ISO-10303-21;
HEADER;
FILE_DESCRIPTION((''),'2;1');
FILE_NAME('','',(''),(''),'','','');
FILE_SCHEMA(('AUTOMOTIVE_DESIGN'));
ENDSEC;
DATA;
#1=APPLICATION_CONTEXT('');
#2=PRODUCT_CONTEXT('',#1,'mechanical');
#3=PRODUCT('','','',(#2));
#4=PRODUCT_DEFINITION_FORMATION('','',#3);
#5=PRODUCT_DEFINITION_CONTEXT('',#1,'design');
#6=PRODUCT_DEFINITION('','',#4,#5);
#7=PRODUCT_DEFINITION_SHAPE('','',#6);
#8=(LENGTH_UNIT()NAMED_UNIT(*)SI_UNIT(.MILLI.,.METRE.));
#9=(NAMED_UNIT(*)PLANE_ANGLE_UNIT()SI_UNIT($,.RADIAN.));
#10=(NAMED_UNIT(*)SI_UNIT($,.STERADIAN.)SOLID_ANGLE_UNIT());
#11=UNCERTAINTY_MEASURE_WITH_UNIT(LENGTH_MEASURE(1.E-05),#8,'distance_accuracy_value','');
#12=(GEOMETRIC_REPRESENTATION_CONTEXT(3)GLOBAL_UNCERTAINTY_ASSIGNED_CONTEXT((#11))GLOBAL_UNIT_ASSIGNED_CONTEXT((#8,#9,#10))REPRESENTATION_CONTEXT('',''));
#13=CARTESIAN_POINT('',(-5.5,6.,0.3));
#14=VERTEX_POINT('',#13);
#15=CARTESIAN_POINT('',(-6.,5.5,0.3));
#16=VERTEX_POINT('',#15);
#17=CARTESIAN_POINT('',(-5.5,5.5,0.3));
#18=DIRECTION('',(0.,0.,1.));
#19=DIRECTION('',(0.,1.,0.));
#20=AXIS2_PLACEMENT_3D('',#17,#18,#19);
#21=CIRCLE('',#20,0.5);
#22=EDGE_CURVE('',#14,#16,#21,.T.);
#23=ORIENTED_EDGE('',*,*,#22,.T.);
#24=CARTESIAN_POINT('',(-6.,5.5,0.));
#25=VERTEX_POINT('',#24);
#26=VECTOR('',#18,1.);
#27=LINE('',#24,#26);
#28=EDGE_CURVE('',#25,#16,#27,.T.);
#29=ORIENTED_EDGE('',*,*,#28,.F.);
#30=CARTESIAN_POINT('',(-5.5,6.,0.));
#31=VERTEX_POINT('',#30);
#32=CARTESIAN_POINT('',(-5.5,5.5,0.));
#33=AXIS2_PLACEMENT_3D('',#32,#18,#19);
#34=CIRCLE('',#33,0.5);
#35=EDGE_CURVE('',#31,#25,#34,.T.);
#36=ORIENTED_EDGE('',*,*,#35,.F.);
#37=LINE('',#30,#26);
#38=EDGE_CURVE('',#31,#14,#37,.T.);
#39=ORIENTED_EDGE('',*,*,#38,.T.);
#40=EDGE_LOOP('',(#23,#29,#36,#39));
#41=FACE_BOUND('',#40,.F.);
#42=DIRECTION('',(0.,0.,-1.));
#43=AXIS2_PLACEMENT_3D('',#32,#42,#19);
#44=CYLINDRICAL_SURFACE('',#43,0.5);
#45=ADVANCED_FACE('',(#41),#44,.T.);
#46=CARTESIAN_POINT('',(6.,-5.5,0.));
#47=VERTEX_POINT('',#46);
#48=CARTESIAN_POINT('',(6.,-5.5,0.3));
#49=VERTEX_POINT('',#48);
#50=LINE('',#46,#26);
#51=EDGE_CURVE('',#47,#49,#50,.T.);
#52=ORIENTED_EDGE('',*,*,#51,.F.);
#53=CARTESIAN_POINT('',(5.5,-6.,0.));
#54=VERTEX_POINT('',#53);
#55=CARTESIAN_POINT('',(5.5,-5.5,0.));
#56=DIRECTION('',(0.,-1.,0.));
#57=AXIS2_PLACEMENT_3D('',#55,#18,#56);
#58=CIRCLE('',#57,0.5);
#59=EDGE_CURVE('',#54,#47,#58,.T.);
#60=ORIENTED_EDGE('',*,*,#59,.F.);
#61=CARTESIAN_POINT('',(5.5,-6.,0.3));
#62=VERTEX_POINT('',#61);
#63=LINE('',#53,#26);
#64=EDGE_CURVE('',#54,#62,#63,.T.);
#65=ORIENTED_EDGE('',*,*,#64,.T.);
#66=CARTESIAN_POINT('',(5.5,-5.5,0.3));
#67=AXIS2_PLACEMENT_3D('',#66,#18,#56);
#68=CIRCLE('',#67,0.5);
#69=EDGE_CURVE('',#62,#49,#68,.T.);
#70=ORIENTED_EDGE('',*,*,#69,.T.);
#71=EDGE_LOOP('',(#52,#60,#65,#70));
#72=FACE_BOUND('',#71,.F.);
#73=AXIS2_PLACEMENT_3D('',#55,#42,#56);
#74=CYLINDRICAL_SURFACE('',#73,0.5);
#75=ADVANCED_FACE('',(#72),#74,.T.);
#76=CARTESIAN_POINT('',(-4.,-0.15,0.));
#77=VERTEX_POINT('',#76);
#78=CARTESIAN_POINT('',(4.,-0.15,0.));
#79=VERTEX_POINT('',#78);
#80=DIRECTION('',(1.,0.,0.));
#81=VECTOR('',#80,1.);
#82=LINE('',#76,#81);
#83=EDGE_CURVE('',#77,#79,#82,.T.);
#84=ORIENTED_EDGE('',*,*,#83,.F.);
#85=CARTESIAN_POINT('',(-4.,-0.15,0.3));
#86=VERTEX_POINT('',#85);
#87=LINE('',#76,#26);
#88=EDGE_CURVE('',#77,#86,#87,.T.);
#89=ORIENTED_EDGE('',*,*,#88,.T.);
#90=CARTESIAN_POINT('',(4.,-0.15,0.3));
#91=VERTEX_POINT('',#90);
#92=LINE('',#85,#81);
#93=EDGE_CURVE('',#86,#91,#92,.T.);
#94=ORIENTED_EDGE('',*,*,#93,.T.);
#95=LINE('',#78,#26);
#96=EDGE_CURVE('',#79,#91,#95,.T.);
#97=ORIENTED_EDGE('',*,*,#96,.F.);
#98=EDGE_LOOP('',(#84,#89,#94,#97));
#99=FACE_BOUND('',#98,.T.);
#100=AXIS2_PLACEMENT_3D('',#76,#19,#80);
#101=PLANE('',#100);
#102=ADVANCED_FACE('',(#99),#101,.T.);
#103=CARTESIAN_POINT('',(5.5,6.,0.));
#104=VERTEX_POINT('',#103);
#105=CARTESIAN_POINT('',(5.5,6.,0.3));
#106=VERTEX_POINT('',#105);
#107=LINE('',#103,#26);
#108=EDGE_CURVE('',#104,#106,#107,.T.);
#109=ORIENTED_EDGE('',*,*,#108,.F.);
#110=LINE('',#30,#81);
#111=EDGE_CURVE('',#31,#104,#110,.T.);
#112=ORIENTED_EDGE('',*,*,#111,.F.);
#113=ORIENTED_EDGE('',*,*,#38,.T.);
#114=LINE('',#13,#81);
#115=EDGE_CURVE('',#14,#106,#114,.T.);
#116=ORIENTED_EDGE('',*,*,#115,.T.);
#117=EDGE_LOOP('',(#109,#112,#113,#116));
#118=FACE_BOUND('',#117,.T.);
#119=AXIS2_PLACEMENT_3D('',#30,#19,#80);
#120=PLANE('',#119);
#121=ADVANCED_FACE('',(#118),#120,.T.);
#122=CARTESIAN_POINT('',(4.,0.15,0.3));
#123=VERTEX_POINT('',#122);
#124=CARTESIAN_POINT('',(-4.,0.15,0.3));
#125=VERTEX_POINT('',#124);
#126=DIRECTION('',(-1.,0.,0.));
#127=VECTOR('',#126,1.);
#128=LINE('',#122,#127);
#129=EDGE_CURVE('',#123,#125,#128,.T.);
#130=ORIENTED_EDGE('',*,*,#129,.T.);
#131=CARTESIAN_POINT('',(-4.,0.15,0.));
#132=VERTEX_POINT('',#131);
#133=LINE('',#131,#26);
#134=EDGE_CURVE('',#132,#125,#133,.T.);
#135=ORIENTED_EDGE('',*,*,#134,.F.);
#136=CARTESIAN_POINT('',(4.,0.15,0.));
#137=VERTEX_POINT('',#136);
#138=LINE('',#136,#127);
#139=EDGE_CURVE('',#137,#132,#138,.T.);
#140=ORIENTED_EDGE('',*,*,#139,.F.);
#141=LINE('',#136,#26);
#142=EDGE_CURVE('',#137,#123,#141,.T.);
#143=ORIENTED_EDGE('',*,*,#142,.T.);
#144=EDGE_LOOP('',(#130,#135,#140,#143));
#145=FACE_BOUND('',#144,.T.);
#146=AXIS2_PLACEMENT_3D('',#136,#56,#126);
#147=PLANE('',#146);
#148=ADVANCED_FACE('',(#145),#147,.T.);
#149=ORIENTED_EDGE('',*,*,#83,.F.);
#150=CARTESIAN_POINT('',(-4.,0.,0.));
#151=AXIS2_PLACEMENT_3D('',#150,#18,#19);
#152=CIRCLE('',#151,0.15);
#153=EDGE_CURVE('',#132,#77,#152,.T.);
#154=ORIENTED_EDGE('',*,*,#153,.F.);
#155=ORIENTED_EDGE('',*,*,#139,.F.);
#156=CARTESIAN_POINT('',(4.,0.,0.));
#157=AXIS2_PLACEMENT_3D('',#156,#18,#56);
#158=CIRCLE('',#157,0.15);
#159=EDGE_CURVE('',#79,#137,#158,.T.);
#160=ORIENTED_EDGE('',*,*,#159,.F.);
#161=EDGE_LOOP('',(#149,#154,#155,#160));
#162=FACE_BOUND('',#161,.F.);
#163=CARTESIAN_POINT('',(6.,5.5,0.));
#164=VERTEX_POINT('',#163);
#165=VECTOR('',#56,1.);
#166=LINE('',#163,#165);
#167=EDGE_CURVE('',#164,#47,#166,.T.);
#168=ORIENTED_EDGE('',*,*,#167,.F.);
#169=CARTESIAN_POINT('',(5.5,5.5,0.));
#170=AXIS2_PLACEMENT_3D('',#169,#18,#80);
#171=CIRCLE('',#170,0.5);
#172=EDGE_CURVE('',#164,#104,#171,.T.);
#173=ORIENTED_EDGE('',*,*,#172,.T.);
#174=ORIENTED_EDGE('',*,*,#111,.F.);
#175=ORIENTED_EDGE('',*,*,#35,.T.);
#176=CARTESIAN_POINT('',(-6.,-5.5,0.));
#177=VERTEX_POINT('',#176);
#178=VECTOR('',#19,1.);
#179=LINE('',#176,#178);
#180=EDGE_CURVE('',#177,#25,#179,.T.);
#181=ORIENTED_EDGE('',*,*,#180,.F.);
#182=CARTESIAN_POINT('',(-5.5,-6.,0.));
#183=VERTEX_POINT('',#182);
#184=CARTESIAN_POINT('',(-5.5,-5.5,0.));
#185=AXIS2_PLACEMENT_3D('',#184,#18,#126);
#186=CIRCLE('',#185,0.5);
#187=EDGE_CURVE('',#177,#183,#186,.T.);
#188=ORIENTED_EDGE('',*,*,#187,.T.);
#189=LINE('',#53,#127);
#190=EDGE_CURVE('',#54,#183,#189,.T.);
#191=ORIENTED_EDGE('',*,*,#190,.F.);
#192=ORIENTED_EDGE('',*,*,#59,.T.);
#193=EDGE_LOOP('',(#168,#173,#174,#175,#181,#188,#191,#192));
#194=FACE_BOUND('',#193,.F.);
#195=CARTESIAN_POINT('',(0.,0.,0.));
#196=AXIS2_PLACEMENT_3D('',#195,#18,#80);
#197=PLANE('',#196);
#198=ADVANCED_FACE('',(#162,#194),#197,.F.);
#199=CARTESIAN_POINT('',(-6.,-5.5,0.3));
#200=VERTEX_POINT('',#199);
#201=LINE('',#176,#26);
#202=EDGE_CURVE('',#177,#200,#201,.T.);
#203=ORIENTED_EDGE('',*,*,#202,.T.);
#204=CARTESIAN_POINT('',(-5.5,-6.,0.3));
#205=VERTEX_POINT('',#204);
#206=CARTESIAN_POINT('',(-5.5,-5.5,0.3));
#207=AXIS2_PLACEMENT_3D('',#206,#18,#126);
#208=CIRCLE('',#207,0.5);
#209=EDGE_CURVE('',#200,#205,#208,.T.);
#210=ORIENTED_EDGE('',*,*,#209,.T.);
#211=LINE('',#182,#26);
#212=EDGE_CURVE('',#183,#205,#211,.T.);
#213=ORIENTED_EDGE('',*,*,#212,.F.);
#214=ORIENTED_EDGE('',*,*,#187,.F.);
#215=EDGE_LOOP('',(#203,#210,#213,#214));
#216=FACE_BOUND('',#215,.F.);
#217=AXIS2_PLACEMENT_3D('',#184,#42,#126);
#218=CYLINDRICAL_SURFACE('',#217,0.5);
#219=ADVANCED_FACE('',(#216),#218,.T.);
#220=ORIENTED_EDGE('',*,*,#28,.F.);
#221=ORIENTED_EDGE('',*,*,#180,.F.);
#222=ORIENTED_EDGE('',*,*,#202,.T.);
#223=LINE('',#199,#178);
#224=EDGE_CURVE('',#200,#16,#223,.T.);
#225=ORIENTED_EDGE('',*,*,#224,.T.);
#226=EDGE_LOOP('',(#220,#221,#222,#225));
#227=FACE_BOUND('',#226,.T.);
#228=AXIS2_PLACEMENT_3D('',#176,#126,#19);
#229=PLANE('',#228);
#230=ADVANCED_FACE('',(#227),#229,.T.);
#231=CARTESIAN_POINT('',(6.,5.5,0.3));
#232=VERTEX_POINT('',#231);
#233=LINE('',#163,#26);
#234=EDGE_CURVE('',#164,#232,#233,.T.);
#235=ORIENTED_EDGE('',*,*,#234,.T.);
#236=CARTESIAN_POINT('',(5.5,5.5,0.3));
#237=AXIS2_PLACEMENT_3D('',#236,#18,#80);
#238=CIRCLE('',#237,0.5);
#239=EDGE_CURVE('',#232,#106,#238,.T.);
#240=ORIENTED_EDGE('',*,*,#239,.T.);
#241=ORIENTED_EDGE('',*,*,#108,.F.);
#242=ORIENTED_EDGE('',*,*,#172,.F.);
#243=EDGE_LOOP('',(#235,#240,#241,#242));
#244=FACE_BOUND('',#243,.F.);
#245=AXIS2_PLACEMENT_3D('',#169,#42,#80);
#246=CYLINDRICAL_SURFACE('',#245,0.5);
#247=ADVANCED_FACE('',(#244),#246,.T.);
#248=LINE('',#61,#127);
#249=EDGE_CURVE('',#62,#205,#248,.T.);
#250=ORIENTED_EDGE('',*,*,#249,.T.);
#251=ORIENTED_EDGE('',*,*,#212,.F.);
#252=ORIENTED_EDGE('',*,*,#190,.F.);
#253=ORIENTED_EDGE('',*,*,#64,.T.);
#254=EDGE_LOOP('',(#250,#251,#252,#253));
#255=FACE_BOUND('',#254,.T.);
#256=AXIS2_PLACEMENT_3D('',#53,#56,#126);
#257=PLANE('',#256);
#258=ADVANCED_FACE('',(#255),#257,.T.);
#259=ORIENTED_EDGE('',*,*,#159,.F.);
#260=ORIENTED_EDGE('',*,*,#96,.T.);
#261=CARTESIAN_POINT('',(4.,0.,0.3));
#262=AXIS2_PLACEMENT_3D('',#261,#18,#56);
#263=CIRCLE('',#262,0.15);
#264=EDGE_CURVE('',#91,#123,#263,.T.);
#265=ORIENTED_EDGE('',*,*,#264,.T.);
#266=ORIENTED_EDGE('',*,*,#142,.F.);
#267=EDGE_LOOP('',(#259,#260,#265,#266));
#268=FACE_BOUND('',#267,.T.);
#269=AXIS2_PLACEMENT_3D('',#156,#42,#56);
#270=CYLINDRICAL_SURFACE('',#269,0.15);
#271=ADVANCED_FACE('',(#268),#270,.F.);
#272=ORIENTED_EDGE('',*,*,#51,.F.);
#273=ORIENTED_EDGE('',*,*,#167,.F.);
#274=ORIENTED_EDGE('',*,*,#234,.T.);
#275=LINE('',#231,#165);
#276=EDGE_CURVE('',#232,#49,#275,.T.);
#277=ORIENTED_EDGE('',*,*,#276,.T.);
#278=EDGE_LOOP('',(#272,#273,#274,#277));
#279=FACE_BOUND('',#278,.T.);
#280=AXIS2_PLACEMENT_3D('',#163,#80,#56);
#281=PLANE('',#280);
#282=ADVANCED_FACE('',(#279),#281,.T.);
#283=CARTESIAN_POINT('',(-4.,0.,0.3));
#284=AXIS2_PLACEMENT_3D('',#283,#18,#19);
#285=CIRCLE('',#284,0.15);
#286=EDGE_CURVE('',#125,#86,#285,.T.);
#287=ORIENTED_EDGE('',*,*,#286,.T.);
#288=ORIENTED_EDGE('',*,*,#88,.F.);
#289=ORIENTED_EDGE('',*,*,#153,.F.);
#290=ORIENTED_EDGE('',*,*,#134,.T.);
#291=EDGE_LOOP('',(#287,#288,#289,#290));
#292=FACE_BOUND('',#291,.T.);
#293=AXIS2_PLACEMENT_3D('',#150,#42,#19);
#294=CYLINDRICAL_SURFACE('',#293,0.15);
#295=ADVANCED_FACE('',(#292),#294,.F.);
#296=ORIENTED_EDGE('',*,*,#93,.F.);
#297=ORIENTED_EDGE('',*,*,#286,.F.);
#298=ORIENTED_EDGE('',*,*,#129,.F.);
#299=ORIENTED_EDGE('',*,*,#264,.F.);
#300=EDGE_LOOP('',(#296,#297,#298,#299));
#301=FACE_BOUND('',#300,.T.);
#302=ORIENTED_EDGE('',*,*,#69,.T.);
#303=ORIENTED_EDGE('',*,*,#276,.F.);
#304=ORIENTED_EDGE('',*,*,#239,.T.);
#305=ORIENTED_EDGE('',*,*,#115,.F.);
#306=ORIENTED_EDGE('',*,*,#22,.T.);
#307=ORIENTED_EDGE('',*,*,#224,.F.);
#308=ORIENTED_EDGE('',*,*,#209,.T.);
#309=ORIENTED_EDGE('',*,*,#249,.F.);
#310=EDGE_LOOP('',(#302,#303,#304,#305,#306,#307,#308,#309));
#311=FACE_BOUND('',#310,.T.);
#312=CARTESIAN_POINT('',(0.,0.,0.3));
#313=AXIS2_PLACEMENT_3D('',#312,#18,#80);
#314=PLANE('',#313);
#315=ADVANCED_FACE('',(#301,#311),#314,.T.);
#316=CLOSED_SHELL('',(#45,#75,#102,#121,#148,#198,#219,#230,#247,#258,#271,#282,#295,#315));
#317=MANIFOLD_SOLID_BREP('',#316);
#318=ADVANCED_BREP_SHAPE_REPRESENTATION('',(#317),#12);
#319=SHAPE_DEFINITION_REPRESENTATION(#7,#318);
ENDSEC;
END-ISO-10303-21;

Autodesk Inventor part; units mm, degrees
ref_plane "YZ Plane" through (0, 0, 0) normal (1, 0, 0) x (0, 1, 0)
ref_plane "XZ Plane" through (0, 0, 0) normal (0, 1, 0) x (-1, 0, 0)
ref_plane "XY Plane" through (0, 0, 0) normal (0, 0, 1) x (1, 0, 0)
sketch "Sketch1" plane through (0, 0, 0) normal (0, 0, 1) x (1, 0, 0)
  line L0 (-5.5, 6) -> (5.5, 6)
  line L1 (6, 5.5) -> (6, -5.5)
  line L2 (5.5, -6) -> (-5.5, -6)
  line L3 (-6, -5.5) -> (-6, 5.5)
  line L4 (-6, 6) -> (6, -6) construction
  line L5 (6, 6) -> (-6, -6) construction
  line L6 (-4, 0) -> (4, 0) construction
  line L7 (-4, -0.15) -> (4, -0.15)
  line L8 (4, 0.15) -> (-4, 0.15)
  arc A0 (-4, 0.15) -> (-4, -0.15) centre (-4, 0) ccw
  arc A1 (4, -0.15) -> (4, 0.15) centre (4, 0) ccw
  arc A2 (-5.5, 6) -> (-6, 5.5) centre (-5.5, 5.5) ccw
  arc A3 (-6, -5.5) -> (-5.5, -6) centre (-5.5, -5.5) ccw
  arc A4 (5.5, -6) -> (6, -5.5) centre (5.5, -5.5) ccw
  arc A5 (6, 5.5) -> (5.5, 6) centre (5.5, 5.5) ccw
  point P0 (0, 0)
  dimension "d0" = 12
  dimension "d1" = 12
  dimension "d2" = 4
  dimension "d3" = 0.3
  dimension "d4" = 0.5
extrude "Plate1" add sketch "Sketch1" along normal blind 0.3
equation "\"d5\" = Thickness"
equation "\"BendRadius\" = Thickness"
equation "\"BendReliefWidth\" = Thickness"
equation "\"BendReliefDepth\" = 0.5 * Thickness"
equation "\"CornerReliefSize\" = 4 * Thickness"
equation "\"MinimumRemnant\" = 2 * Thickness"
equation "\"TransitionRadius\" = BendRadius"
equation "\"JacobiRadiusSize\" = BendRadius"
equation "\"GapSize\" = Thickness"
equation "\"Thickness\" = 0.3"
properties part number "Slit" material "Stainless Steel, Austenitic"
